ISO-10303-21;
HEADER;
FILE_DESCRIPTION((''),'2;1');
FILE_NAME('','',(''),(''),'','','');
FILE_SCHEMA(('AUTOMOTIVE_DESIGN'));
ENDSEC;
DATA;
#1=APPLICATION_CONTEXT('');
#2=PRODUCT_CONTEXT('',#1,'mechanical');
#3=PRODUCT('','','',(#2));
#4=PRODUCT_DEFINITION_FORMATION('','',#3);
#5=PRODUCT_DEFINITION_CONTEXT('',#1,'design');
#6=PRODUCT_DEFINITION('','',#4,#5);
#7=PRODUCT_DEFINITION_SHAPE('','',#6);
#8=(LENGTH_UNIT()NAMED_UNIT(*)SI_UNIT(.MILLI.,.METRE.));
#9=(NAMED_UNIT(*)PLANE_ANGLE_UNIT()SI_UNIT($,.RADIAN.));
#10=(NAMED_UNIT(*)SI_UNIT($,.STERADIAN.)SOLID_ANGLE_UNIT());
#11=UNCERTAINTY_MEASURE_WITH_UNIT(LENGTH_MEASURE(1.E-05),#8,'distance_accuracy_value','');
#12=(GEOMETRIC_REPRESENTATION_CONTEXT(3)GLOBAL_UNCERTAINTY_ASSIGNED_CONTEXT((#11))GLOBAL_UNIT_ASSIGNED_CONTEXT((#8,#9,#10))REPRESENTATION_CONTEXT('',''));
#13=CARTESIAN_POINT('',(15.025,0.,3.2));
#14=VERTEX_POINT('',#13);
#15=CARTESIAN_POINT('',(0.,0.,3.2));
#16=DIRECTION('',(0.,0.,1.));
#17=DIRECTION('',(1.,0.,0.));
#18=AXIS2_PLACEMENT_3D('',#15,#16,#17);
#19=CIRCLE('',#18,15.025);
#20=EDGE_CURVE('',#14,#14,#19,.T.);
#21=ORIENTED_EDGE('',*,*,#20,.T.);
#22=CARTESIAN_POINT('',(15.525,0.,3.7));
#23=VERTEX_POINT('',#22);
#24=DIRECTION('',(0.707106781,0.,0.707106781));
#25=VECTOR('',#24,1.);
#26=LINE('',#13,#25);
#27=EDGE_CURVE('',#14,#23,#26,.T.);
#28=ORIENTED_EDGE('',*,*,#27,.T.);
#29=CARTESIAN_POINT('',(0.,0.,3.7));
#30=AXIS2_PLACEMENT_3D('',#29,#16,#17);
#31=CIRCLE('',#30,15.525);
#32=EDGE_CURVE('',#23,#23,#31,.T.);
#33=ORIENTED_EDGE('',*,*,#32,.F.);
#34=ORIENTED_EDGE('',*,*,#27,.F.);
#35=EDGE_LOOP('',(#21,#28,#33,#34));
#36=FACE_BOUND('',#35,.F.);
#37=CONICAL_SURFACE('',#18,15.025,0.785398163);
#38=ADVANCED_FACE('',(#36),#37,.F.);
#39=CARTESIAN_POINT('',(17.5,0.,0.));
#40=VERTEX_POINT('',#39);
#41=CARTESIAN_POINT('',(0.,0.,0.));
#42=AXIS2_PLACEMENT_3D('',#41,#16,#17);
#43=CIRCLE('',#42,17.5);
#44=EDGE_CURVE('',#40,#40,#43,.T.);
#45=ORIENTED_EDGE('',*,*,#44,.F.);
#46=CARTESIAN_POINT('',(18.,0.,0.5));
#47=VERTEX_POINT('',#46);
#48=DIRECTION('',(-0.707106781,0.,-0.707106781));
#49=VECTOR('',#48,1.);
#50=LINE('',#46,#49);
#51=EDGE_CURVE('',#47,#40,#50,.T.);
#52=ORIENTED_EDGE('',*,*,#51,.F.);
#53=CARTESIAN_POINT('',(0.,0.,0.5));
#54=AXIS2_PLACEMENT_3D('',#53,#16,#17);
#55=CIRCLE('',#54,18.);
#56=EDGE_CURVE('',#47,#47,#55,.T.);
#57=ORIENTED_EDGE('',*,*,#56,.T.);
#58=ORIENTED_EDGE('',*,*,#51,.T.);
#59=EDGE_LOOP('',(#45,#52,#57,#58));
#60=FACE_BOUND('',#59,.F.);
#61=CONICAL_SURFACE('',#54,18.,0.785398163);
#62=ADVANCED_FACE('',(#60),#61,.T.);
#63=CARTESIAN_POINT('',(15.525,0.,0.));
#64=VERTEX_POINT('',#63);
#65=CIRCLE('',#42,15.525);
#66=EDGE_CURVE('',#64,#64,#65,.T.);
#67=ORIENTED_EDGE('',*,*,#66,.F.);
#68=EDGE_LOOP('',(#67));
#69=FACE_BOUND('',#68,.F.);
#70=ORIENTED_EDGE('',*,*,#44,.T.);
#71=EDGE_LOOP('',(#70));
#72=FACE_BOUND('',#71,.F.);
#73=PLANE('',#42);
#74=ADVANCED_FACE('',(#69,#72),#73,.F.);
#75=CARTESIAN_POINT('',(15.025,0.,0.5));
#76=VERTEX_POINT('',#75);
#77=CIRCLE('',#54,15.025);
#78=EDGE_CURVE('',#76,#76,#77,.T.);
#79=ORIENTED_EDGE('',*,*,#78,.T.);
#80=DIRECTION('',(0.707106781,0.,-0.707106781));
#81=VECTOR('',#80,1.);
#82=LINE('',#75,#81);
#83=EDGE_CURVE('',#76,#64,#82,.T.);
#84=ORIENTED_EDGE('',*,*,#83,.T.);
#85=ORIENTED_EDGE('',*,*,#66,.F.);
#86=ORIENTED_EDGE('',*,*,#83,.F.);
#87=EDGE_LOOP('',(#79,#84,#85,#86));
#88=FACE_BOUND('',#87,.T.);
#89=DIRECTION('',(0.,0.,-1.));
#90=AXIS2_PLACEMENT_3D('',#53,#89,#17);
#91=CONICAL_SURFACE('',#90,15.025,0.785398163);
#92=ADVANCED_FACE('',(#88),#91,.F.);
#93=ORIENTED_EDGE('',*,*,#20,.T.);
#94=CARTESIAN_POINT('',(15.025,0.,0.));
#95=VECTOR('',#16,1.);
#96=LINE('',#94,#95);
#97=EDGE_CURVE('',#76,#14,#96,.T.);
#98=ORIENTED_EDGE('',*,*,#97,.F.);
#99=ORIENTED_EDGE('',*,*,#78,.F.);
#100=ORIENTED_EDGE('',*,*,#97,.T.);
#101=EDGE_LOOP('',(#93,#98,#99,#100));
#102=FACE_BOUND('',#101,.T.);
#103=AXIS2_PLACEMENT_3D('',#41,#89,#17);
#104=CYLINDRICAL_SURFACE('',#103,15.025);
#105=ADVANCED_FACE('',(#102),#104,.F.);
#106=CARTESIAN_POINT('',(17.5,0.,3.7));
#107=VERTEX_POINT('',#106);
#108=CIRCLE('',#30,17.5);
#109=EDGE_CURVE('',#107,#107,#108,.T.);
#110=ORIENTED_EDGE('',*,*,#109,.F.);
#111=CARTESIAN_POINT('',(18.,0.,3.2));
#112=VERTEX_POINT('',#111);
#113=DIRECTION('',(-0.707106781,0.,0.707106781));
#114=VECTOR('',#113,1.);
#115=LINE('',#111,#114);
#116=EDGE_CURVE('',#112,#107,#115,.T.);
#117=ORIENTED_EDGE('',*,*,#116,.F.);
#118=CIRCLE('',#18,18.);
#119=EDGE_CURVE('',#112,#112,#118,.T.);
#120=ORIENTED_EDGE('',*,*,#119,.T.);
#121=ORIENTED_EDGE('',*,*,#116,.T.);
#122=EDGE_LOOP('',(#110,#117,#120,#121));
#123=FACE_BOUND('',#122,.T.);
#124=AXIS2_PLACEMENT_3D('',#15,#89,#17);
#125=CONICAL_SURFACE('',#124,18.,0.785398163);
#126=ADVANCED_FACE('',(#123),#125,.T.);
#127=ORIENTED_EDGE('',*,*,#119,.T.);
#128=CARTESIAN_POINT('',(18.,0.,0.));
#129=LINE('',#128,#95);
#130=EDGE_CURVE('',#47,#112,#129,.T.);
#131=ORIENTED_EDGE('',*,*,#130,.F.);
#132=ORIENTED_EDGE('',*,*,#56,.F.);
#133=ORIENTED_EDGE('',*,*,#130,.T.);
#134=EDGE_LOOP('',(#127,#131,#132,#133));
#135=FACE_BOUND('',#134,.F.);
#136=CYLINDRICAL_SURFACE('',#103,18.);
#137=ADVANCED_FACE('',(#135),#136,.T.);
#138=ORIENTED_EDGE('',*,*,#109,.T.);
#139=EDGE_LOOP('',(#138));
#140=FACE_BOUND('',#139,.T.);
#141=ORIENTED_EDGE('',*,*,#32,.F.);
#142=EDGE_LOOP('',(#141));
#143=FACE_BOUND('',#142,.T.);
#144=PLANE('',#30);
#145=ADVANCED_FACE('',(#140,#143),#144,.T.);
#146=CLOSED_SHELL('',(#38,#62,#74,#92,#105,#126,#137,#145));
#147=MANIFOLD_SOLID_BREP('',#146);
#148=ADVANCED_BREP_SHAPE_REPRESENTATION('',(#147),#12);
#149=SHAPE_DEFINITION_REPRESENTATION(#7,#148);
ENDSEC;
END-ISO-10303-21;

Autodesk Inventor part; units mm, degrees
ref_plane "YZ Plane" through (0, 0, 0) normal (1, 0, 0) x (0, 1, 0)
ref_plane "XZ Plane" through (0, 0, 0) normal (0, 1, 0) x (-1, 0, 0)
ref_plane "XY Plane" through (0, 0, 0) normal (0, 0, 1) x (1, 0, 0)
sketch "草图1" plane through (0, 0, 0) normal (0, 0, 1) x (1, 0, 0)
  circle A0 centre (0, 0) radius 18
  circle A1 centre (0, 0) radius 15.025
extrude "拉伸1" add sketch "草图1" along normal blind 3.7
chamfer "倒角1" distance 0.5 angle 45 4 edges at (-15.025, 0, 3.7) (-15.025, 0, 0) (-18, 0, 3.7) (-18, 0, 0)
properties part number "my_attempt_v2"
